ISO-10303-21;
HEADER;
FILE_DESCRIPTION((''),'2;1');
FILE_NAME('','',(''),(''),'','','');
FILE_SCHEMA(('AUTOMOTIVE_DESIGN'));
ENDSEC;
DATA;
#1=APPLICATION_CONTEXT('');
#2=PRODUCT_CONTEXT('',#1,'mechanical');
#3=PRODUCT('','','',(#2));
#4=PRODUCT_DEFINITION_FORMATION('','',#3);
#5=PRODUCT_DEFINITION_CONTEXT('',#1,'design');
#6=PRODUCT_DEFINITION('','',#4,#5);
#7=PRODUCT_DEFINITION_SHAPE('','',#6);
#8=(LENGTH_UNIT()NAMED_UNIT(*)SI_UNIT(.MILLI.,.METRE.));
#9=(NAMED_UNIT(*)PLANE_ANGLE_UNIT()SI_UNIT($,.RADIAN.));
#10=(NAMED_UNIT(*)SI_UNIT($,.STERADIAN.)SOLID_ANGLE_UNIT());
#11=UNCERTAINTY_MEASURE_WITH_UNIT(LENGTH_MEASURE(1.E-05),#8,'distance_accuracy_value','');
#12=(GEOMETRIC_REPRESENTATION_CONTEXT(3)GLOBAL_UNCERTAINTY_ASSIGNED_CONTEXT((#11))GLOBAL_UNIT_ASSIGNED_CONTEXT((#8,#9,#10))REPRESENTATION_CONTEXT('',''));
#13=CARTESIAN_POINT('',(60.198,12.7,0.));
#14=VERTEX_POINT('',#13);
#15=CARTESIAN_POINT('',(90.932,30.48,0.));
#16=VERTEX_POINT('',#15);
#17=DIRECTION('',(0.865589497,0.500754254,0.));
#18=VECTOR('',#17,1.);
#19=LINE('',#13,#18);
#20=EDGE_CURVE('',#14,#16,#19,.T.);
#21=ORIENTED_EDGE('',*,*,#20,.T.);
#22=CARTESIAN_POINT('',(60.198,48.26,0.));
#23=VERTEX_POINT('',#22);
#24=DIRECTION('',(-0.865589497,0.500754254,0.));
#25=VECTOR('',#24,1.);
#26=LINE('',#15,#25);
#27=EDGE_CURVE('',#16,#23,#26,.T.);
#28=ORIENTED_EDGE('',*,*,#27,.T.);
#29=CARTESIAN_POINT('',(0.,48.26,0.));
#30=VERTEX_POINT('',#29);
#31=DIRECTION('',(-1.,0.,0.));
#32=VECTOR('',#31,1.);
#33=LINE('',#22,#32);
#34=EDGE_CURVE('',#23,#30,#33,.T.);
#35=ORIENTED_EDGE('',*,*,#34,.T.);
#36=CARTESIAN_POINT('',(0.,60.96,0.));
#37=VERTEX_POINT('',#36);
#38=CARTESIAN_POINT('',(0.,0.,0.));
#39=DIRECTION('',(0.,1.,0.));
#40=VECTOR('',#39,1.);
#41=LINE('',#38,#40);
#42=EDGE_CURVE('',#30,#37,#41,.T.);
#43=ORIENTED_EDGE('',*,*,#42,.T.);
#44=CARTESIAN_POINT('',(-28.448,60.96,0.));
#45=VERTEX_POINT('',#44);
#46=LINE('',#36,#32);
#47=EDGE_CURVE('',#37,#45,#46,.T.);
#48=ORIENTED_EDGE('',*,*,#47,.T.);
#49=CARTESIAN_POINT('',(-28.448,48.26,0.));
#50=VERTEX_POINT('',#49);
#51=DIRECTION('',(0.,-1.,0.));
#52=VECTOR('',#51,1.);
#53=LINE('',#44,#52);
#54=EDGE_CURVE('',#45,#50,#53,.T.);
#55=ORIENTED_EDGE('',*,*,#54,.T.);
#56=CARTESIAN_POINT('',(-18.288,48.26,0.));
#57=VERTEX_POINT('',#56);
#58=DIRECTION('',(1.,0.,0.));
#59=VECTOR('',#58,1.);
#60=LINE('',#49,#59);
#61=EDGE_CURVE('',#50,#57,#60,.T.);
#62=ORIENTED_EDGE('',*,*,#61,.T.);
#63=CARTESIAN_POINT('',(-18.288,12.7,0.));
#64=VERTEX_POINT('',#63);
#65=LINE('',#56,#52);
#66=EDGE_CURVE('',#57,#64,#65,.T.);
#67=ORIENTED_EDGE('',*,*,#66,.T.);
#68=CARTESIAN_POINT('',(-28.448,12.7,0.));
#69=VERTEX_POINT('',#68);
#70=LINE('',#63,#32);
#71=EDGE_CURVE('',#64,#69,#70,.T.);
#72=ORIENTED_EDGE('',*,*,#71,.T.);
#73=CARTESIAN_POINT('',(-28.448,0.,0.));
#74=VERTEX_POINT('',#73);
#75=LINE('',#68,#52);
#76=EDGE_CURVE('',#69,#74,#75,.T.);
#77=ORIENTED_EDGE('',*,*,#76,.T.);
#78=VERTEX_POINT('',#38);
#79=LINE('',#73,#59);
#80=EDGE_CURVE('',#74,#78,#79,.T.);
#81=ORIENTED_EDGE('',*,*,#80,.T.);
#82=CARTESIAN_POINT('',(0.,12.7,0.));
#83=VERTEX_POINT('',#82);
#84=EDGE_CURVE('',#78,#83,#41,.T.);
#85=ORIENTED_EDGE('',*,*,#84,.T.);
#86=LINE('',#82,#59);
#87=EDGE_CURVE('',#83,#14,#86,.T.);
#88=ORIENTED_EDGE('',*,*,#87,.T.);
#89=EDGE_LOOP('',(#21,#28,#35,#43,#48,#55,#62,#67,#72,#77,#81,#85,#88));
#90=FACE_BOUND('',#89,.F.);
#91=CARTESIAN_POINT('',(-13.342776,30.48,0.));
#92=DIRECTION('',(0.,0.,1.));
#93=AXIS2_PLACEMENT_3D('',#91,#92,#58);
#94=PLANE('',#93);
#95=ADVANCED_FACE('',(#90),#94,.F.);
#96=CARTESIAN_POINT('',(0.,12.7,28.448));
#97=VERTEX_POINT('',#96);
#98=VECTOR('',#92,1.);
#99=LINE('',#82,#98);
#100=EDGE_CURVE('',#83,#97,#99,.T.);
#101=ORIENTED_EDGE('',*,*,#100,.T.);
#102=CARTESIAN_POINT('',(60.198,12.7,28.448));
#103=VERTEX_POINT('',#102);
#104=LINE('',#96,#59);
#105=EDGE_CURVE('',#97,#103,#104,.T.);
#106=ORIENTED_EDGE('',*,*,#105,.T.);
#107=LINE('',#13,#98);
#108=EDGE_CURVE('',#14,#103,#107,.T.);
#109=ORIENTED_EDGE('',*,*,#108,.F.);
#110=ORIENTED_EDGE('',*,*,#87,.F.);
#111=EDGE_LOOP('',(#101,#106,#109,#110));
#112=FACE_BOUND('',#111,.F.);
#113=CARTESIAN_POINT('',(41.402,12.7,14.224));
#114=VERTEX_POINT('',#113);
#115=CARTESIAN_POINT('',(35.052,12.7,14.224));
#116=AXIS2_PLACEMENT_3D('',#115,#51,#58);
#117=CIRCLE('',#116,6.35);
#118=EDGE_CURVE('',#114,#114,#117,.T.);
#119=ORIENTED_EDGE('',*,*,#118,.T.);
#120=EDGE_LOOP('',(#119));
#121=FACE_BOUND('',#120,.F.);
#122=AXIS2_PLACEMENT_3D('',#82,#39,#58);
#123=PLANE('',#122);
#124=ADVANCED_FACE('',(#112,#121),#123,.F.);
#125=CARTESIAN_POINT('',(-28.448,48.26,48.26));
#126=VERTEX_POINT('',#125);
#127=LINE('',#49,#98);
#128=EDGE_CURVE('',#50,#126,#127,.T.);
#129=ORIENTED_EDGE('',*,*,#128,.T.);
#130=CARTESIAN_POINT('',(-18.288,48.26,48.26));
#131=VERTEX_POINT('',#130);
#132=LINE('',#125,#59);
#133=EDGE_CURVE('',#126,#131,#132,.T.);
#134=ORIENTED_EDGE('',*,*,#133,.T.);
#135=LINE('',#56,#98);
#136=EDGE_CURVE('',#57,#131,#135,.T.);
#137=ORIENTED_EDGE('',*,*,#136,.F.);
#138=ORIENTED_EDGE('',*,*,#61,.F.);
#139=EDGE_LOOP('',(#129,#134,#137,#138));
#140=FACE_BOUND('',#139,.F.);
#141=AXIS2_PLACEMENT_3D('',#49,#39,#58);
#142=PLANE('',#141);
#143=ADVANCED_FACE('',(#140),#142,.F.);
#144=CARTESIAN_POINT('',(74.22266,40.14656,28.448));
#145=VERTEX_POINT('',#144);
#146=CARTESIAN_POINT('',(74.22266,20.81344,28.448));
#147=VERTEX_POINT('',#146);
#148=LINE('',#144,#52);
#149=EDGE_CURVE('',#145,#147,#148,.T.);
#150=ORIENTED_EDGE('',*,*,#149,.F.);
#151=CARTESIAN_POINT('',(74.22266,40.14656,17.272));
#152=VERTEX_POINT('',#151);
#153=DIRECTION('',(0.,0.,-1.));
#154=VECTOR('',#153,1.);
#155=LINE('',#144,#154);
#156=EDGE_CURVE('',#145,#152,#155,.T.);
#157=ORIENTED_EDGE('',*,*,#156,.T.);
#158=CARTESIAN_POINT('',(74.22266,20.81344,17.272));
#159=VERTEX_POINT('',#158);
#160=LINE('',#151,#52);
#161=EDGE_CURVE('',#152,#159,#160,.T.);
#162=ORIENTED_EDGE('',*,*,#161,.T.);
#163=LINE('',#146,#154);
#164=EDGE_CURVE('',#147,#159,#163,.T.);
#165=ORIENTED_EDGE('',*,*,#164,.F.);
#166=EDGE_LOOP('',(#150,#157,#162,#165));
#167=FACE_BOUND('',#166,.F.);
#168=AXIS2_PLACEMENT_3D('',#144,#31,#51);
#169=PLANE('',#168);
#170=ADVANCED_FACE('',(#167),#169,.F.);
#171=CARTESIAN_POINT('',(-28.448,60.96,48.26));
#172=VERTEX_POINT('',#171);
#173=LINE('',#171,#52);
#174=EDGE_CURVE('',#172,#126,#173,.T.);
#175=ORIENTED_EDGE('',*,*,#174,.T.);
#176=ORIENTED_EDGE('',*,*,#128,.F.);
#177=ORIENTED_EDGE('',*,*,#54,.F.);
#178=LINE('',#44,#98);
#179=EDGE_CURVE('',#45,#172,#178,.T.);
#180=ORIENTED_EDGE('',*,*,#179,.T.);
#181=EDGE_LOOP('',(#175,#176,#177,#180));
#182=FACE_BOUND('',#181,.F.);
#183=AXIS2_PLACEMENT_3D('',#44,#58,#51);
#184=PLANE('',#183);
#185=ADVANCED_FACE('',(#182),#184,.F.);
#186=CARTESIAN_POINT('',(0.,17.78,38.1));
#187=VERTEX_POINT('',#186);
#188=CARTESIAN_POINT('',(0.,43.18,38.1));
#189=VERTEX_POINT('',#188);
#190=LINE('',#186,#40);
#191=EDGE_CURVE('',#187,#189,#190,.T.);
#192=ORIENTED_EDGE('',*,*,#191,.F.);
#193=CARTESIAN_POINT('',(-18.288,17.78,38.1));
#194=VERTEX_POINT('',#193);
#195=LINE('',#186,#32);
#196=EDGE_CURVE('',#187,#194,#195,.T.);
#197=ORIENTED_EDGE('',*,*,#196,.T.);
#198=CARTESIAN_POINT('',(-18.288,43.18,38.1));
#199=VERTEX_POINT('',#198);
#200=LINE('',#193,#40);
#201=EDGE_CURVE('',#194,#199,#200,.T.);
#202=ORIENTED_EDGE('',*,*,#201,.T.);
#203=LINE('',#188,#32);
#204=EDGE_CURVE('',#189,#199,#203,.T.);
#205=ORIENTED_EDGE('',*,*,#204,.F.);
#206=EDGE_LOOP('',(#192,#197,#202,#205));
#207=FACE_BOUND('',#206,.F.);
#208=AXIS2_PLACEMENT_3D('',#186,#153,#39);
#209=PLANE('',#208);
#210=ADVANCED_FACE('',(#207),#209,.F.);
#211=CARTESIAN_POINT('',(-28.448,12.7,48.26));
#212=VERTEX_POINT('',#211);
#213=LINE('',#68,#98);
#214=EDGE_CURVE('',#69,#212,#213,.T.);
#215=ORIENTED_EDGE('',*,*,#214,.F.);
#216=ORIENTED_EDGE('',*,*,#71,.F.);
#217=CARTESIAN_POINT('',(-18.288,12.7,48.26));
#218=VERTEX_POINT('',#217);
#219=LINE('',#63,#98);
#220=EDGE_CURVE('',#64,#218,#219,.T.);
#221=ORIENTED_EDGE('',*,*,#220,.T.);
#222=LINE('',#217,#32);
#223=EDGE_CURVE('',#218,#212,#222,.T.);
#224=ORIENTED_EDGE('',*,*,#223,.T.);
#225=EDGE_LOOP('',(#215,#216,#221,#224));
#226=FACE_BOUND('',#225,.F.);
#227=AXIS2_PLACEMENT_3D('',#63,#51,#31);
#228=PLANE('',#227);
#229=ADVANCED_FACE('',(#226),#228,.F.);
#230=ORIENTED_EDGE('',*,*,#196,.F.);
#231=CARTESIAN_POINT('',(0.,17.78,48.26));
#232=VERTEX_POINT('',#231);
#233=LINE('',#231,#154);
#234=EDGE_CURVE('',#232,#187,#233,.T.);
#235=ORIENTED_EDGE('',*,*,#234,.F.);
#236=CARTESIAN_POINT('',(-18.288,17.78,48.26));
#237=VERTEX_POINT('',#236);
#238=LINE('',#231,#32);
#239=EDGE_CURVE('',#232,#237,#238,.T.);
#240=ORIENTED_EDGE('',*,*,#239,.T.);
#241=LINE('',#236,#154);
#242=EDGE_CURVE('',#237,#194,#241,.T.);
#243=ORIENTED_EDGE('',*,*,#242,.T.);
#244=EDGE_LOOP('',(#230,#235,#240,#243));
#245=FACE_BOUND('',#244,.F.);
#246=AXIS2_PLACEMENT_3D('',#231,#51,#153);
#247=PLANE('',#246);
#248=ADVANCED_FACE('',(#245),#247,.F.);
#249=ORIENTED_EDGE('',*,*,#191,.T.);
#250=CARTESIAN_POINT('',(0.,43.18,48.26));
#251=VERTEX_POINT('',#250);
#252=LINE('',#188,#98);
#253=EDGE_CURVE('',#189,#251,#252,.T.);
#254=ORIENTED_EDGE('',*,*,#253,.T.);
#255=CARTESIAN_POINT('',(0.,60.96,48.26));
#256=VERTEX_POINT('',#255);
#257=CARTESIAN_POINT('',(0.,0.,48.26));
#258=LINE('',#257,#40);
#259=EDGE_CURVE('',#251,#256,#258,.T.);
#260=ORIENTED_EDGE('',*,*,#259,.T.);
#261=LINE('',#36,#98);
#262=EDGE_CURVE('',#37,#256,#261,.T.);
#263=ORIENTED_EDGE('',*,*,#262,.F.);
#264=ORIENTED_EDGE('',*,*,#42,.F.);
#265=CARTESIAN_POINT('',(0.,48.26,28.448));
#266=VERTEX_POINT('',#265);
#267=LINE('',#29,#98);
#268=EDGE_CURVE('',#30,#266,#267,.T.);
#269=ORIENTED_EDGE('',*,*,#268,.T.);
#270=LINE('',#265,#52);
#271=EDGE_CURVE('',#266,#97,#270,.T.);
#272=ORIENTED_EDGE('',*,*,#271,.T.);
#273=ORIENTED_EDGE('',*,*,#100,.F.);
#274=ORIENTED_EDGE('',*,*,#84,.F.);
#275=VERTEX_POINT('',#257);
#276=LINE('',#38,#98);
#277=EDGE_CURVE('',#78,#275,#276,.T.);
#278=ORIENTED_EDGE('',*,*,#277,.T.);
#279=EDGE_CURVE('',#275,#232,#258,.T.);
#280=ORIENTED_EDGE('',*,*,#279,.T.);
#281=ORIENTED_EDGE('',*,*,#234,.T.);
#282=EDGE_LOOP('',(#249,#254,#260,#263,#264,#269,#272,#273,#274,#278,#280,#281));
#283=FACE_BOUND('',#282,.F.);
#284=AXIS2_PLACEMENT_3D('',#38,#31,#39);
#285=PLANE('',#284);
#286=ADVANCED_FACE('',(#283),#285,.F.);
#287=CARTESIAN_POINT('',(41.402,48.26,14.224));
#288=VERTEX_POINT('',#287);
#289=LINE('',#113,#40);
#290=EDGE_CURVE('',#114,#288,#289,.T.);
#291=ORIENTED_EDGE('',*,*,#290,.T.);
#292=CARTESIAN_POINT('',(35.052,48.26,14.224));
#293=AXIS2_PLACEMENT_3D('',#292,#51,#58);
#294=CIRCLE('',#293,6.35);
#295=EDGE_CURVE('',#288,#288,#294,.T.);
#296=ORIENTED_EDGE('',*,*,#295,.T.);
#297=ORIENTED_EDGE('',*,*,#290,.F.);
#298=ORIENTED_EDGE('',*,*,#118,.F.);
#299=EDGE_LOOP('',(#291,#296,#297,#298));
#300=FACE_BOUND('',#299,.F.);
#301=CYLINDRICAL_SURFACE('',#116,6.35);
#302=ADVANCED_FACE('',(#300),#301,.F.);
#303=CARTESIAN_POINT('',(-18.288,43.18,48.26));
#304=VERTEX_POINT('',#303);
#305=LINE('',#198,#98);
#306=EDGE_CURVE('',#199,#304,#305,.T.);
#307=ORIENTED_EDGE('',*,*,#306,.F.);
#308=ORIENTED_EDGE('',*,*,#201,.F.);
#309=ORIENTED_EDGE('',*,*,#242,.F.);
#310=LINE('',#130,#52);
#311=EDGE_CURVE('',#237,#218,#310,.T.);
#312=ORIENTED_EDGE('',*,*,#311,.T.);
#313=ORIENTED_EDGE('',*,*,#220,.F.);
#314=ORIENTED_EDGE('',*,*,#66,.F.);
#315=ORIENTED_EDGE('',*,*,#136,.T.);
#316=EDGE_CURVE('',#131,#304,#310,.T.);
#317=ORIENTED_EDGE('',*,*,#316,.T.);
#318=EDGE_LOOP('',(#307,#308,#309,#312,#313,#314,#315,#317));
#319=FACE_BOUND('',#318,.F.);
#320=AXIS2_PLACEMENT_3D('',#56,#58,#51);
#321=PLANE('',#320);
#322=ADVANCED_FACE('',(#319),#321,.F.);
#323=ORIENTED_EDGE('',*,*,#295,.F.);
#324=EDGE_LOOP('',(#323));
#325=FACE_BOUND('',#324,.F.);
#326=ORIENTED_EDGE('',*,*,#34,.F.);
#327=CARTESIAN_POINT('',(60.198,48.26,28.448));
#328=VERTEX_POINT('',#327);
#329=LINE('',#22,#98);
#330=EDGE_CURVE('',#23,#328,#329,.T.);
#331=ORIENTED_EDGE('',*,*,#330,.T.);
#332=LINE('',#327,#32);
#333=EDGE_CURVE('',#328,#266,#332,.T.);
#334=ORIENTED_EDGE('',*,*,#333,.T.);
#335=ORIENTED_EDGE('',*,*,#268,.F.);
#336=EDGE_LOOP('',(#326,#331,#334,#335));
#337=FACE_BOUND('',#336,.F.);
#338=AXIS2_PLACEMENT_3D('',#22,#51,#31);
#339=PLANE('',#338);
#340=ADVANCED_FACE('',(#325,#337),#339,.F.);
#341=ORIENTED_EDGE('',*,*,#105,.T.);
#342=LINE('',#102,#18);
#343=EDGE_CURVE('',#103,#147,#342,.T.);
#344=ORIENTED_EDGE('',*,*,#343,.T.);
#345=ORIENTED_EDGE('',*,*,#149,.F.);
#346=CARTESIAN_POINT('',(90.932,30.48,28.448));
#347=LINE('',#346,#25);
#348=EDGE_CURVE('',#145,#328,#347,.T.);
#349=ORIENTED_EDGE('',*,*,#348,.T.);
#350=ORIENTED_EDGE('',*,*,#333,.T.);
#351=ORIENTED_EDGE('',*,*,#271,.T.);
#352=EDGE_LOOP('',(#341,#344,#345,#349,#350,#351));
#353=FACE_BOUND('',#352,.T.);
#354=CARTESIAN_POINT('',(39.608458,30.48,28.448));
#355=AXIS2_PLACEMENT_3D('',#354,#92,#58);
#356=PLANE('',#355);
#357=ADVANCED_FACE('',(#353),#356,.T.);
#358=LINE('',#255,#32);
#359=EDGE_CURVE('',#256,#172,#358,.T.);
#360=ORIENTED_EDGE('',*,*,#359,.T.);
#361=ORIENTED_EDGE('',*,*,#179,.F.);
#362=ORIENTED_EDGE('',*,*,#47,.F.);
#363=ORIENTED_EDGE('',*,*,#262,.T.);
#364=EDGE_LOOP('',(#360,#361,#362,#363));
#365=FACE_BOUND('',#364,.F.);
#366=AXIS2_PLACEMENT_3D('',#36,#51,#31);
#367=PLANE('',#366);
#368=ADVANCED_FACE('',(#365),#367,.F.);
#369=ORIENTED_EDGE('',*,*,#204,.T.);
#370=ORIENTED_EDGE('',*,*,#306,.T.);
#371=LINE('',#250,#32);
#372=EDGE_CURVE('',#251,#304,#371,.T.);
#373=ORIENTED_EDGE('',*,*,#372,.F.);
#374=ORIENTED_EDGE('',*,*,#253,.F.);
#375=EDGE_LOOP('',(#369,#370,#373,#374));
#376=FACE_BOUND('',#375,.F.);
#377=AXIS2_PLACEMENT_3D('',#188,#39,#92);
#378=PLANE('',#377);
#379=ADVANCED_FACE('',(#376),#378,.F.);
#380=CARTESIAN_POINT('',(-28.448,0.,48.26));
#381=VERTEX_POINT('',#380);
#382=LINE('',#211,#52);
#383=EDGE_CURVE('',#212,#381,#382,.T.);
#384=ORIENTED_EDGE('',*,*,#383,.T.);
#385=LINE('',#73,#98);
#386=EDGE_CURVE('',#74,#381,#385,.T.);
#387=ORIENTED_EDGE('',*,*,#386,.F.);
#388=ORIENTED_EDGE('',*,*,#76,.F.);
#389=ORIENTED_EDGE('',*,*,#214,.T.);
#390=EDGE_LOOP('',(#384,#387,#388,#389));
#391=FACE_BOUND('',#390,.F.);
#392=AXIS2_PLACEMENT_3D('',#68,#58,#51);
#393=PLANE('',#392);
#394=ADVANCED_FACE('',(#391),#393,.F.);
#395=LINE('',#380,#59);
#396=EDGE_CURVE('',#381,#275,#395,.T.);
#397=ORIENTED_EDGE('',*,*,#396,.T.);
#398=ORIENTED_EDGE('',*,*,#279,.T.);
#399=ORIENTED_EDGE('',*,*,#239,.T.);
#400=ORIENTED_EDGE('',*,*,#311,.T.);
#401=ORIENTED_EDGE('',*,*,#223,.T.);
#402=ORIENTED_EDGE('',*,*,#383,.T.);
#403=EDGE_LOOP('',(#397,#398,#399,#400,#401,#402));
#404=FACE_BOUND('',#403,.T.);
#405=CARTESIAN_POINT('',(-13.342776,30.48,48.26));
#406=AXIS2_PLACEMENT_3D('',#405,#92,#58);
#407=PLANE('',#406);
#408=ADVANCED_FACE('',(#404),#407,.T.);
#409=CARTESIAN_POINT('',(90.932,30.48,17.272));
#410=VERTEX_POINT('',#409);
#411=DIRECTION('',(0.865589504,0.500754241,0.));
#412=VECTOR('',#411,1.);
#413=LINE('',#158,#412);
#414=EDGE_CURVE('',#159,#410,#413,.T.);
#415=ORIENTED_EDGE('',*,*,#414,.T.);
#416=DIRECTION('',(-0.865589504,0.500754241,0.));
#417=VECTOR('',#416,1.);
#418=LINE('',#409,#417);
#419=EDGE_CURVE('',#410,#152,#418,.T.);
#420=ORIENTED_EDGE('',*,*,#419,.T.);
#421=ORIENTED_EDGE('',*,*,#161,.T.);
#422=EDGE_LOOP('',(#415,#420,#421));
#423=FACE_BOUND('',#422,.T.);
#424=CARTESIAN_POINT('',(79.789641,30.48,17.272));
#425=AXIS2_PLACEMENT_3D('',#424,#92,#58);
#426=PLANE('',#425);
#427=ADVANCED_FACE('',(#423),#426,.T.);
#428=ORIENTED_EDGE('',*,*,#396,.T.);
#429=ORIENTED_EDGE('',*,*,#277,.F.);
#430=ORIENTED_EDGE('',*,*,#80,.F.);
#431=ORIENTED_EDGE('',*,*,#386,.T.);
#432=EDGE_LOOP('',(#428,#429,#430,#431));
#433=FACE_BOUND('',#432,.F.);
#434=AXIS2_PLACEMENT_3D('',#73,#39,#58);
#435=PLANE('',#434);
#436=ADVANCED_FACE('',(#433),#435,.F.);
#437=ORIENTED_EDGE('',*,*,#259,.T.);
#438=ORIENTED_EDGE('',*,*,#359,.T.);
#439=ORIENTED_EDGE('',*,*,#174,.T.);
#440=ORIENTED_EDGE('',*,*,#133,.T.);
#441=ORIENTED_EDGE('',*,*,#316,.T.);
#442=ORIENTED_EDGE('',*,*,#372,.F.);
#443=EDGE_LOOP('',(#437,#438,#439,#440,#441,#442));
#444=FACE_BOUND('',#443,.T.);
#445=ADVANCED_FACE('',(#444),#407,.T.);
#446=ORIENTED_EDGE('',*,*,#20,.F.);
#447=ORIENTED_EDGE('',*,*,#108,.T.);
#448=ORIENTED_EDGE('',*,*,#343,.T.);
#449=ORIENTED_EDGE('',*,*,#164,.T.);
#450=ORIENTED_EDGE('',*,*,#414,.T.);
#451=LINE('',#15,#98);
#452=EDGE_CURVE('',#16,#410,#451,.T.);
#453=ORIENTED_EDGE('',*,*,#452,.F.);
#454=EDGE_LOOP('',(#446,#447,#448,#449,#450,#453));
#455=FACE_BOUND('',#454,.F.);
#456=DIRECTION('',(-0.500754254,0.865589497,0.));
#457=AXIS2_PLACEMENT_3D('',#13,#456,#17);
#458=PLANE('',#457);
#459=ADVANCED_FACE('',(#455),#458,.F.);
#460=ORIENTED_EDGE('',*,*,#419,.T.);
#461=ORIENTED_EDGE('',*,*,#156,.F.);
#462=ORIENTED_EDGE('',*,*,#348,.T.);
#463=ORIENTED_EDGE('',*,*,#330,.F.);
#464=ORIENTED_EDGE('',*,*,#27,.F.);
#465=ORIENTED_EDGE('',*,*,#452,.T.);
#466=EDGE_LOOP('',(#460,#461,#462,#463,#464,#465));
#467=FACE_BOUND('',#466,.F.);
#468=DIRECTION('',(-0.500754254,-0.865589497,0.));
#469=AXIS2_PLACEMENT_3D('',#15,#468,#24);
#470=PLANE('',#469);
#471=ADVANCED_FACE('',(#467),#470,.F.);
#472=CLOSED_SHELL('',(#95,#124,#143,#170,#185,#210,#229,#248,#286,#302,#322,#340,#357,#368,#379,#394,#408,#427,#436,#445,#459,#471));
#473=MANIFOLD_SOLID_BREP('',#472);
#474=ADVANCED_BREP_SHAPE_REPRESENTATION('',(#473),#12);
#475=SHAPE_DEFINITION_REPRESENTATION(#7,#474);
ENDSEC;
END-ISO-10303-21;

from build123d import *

# Parameters (mm, degrees)
F1_DEPTH = 48.26
F3_DEPTH = 18.288
F5_DEPTH = 28.448
F7_DEPTH = 11.176
F8_R     = 6.35
F9_DEPTH = 35.56


with BuildPart() as f1:
    # F0 (on Top) → F1 (new body)
    with BuildSketch(Plane.XY):
        Polygon((-28.448, 0), (0, 0), (0, 30.48), (0, 60.96), (-28.448, 60.96), (-28.448, 48.26), (-18.288, 48.26), (-18.288, 30.48), (-18.288, 17.78), (-18.288, 12.7), (-28.448, 12.7), align=None)
    extrude(amount=F1_DEPTH)

    # F2 (on face) → F3 (cut, through all)
    with BuildSketch(Plane.YZ):
        Polygon((17.78, 38.1), (30.48, 38.1), (43.18, 38.1), (43.18, 48.26), (17.78, 48.26), align=None)
    extrude(amount=-F3_DEPTH, mode=Mode.SUBTRACT)

    # F4 (on Top) → F5 (join)
    with BuildSketch(Plane.XY):
        Polygon((0, 30.48), (0, 12.7), (60.198, 12.7), (90.932, 30.48), (60.198, 48.26), (0, 48.26), align=None)
    extrude(amount=F5_DEPTH)

    # F6 (on face) → F7 (cut)
    with BuildSketch(Plane.XY.offset(28.448)):
        Polygon((74.22266, 20.81344), (90.932, 30.48), (74.22266, 40.14656), align=None)
    extrude(amount=-F7_DEPTH, mode=Mode.SUBTRACT)

    # F8 (on face) → F9 (cut, through all)
    with BuildSketch(Plane.XZ.offset(-12.7)):
        with Locations((35.052, 14.224)):
            Circle(F8_R)
    extrude(amount=-F9_DEPTH, mode=Mode.SUBTRACT)


solid = f1.part
